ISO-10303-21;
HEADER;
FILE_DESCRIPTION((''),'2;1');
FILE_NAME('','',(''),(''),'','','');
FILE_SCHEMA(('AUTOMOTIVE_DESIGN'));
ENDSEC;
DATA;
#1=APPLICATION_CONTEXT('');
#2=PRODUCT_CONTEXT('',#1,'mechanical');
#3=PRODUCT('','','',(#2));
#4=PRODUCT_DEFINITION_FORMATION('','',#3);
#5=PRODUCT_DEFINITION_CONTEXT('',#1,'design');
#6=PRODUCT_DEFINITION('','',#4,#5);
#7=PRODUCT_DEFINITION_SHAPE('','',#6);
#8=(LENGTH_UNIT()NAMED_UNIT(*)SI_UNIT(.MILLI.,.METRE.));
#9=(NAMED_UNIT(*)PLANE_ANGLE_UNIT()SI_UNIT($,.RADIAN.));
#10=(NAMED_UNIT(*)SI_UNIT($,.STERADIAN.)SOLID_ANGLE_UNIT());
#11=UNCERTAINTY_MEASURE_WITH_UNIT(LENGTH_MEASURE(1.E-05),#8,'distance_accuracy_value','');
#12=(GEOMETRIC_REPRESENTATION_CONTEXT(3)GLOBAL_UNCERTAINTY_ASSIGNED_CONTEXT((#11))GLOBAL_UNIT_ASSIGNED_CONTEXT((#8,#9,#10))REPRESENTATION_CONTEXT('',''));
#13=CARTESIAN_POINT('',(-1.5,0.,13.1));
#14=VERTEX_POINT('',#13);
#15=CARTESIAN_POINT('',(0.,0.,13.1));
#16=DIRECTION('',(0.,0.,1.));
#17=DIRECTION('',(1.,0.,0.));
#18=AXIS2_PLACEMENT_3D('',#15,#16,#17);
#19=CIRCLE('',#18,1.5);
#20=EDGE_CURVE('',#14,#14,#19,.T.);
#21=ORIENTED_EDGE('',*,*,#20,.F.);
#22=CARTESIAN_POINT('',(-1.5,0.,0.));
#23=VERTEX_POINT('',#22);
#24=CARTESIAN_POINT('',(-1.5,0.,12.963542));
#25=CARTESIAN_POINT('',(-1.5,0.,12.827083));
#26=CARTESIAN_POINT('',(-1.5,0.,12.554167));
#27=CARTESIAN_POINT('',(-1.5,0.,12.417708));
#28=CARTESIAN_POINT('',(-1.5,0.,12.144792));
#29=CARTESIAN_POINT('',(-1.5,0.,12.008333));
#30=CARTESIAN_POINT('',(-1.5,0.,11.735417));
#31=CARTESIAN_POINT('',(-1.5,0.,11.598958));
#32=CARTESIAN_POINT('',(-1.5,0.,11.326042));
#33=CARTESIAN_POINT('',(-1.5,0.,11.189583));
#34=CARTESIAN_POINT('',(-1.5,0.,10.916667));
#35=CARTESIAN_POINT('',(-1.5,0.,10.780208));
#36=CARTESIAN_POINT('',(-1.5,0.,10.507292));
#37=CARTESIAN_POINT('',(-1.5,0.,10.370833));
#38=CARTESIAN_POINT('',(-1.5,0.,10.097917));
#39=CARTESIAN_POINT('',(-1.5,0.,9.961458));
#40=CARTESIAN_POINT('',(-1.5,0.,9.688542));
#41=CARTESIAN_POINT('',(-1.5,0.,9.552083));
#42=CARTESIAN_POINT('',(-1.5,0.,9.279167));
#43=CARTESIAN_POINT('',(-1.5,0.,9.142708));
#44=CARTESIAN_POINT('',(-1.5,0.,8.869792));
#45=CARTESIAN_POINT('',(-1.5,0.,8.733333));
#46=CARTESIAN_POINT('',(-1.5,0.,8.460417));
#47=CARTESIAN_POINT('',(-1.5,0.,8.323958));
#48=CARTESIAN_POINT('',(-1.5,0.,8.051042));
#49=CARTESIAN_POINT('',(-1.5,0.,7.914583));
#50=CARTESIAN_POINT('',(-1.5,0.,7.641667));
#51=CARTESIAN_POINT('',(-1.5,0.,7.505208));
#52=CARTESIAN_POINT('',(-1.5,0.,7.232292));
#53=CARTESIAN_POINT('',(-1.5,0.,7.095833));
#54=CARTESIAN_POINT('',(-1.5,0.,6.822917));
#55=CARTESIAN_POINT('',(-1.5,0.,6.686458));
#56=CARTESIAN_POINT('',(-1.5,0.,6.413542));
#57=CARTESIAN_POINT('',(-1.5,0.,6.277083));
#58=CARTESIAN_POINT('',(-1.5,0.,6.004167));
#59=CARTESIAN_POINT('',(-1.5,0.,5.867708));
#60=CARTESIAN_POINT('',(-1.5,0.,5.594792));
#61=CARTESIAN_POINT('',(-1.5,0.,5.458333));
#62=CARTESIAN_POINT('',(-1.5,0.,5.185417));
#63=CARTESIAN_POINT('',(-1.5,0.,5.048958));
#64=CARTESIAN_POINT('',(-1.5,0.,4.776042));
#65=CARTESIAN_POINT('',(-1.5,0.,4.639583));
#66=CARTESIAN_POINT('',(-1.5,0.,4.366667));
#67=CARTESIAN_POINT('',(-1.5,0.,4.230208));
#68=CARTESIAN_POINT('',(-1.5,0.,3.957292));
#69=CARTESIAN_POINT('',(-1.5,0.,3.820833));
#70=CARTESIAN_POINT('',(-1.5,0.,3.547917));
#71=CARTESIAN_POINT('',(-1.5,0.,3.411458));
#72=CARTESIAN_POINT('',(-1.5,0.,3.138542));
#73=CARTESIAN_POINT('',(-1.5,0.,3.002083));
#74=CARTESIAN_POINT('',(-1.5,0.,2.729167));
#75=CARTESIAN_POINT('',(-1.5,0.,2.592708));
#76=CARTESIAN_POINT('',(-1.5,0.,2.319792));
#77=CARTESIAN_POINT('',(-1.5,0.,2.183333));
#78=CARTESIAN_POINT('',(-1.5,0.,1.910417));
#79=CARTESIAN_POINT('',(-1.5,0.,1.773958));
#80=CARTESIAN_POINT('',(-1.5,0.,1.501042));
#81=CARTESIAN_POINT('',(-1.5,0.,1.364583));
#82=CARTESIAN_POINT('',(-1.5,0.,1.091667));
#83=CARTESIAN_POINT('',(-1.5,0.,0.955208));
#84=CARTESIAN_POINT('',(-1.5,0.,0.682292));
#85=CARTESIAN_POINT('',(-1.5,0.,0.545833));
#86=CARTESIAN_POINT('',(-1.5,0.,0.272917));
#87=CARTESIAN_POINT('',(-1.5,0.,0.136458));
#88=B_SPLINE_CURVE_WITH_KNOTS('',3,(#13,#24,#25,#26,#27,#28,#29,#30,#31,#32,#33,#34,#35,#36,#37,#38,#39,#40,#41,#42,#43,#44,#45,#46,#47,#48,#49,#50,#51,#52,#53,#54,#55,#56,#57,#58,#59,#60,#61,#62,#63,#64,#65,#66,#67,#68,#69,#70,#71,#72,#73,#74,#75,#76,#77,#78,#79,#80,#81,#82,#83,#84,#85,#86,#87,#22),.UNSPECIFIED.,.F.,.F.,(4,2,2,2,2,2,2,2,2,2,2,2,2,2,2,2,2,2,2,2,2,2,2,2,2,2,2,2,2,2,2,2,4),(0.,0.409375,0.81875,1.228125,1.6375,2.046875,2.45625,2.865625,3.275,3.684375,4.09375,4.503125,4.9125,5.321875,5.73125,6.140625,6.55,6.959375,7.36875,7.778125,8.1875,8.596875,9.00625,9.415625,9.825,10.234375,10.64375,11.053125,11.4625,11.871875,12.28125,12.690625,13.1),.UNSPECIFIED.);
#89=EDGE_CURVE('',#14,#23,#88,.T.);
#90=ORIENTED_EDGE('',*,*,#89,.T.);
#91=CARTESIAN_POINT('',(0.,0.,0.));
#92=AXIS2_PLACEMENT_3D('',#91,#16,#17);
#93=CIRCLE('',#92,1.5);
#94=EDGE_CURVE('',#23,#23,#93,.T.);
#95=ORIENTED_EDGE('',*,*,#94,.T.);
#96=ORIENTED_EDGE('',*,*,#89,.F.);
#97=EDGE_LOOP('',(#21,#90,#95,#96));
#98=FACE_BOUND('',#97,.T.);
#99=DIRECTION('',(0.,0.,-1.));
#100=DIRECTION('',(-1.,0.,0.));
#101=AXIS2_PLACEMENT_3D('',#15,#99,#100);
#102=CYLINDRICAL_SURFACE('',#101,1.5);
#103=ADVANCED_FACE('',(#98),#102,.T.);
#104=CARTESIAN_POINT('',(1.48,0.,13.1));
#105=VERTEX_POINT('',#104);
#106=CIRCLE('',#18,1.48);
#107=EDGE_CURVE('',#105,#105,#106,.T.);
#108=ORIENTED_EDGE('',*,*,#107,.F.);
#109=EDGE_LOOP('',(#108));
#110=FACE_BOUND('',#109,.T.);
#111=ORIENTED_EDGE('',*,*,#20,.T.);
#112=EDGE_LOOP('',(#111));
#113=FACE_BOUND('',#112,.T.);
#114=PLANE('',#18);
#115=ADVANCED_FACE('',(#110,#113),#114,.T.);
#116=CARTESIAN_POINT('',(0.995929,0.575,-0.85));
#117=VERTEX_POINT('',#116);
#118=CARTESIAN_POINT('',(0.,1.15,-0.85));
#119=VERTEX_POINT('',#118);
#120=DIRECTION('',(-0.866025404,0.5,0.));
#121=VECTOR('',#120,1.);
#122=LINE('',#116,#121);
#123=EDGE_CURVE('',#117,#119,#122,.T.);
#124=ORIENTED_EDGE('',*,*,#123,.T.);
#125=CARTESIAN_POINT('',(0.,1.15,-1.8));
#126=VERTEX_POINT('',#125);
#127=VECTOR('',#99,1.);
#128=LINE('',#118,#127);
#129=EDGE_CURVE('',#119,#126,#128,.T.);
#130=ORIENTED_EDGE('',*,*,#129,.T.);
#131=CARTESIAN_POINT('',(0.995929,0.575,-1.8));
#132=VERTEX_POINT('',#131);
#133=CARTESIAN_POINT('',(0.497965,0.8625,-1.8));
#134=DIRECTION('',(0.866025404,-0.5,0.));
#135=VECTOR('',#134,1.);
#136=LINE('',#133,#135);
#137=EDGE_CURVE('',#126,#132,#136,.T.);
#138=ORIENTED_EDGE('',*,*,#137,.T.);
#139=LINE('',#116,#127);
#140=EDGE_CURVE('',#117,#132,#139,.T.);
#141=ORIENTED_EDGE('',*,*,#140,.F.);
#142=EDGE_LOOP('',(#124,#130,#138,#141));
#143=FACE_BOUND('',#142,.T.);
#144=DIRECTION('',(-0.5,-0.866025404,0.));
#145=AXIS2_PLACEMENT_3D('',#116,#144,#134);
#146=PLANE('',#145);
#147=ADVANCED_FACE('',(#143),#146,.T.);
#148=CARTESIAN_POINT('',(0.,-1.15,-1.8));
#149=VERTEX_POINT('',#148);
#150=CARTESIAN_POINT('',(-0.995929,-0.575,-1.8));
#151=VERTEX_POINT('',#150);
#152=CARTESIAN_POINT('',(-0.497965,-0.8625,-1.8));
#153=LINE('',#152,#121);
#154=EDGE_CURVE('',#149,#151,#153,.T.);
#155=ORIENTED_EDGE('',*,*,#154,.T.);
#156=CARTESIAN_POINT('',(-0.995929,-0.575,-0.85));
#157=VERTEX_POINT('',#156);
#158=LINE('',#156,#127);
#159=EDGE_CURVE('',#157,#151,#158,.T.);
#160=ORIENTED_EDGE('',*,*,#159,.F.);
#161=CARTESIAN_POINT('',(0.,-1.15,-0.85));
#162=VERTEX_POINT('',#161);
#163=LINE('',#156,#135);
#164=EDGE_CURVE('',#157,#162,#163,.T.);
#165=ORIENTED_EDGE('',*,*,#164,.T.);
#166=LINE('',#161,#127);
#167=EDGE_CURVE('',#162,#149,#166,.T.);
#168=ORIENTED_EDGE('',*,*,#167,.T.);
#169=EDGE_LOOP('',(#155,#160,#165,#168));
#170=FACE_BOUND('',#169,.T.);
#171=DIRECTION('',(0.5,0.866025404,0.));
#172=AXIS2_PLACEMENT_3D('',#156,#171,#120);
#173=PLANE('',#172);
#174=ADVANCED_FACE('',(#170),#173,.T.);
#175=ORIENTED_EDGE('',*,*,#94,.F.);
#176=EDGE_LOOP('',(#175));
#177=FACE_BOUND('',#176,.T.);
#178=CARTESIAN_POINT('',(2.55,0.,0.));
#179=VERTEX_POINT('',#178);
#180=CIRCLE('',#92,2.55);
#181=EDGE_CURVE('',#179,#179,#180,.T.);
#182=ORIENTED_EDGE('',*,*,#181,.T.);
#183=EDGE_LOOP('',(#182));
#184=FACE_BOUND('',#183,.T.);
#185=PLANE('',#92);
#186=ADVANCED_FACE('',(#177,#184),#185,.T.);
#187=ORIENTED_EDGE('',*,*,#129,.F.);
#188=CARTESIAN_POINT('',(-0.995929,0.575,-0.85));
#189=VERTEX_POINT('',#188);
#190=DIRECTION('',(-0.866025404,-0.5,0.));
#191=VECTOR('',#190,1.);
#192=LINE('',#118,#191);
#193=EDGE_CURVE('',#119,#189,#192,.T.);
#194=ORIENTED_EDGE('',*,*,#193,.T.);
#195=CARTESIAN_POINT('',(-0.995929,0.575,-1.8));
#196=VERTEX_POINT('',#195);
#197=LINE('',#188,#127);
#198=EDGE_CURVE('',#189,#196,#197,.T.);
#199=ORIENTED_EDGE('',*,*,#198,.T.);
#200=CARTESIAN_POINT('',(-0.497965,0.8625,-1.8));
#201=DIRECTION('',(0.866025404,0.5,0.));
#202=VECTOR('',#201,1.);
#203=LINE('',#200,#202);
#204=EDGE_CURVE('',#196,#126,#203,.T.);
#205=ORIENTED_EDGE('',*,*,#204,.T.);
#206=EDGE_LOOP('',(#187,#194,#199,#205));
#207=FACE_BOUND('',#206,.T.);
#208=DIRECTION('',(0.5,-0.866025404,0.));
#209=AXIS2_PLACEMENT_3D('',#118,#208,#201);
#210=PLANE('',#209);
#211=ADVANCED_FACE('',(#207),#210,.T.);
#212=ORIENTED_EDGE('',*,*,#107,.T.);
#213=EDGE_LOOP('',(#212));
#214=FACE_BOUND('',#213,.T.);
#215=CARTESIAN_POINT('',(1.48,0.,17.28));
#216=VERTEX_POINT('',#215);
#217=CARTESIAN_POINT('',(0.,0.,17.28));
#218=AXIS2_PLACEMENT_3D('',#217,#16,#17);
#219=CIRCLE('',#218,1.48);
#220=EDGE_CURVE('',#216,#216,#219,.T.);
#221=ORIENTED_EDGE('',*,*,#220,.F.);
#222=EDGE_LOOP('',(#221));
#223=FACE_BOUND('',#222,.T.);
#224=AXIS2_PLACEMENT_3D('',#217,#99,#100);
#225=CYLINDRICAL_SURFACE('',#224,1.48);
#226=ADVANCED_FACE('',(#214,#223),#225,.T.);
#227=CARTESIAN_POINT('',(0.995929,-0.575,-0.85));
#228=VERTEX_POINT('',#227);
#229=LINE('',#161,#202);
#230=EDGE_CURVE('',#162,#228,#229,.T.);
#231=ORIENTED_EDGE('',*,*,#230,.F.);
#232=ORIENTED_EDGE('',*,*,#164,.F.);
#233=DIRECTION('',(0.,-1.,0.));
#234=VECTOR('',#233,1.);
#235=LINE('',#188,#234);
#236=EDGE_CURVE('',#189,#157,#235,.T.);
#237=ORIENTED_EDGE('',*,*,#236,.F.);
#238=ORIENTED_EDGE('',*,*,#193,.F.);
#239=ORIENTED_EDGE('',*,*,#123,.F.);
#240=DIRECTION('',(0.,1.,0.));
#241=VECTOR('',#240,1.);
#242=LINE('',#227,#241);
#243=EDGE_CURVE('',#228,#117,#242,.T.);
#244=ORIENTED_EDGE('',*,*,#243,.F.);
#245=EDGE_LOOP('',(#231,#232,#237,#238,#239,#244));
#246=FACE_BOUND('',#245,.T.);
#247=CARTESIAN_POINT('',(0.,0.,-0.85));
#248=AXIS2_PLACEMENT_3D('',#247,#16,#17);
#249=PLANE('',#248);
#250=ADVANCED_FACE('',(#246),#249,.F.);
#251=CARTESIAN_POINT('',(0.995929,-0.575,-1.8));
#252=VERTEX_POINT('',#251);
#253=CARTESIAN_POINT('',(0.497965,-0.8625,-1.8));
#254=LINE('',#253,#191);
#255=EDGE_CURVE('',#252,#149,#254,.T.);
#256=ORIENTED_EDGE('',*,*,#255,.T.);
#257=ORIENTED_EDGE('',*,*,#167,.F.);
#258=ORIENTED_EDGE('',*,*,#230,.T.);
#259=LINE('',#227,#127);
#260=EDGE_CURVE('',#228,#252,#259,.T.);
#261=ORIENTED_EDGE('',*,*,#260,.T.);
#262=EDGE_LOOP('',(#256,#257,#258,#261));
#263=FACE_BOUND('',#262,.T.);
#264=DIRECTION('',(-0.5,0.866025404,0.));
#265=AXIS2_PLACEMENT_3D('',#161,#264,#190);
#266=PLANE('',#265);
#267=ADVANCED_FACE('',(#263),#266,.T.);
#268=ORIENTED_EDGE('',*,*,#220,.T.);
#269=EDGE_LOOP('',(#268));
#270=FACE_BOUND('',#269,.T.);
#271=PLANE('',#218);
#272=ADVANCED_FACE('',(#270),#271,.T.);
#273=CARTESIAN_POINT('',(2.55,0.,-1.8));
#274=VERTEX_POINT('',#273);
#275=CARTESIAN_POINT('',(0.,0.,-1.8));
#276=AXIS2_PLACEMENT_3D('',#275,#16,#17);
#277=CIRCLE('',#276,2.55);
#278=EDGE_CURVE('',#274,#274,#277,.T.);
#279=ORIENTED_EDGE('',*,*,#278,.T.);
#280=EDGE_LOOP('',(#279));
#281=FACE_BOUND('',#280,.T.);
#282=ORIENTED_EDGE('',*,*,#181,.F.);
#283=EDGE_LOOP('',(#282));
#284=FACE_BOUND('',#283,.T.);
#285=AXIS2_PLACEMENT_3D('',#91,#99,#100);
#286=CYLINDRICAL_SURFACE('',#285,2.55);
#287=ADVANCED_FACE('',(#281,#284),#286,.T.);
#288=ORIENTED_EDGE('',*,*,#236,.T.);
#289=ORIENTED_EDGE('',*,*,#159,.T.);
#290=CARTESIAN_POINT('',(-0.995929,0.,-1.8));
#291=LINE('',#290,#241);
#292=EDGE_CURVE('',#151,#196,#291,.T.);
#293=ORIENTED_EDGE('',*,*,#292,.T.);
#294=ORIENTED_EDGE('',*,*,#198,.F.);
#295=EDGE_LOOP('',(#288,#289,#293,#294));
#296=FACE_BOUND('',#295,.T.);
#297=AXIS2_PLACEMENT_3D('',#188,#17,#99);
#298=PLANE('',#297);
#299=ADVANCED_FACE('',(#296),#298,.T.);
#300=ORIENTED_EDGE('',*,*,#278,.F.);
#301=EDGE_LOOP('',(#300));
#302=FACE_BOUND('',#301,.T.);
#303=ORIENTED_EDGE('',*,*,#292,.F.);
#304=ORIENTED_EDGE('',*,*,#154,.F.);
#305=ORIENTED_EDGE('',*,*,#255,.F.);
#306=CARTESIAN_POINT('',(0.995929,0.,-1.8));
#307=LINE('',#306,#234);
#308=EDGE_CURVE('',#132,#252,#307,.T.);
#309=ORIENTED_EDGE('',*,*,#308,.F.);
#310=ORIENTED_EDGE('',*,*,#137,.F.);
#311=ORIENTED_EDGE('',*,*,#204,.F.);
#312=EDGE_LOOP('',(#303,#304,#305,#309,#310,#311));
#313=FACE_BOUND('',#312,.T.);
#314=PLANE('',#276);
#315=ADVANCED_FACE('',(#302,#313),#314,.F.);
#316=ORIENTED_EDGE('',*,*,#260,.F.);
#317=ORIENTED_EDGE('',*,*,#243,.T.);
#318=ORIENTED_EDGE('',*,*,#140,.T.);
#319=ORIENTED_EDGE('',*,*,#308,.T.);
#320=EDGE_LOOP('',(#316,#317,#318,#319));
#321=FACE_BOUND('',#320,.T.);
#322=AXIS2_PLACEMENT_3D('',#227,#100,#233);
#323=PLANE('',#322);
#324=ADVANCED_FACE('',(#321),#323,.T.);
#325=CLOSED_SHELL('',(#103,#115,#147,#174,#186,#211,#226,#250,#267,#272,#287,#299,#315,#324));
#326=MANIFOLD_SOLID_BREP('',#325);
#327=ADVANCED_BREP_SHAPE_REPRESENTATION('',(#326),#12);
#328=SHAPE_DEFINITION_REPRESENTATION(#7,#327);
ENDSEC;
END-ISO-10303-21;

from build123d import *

# Parameters (mm, degrees)
F_01_START                  = -1.8
S01_LOW_PROFILE_HEAD_R      = 2.55
F_01_LOW_PROFILE_HEAD_DEPTH = 1.8
S02_SMOOTH_JOURNAL_R        = 1.5
F_02_SMOOTH_JOURNAL_DEPTH   = 13.1
F_03_START                  = 13.1
S03_M3_THREADED_TIP_R       = 1.48
F_03_M3_THREADED_TIP_DEPTH  = 4.18
F_04_START                  = -1.9
F_04_HEX_SOCKET_DEPTH       = 1.05


with BuildPart() as part:
    # S01 - Low profile head → 01 - Low profile head (new body)
    with BuildSketch(Plane.XY.offset(F_01_START)):
        Circle(S01_LOW_PROFILE_HEAD_R)
    extrude(amount=F_01_LOW_PROFILE_HEAD_DEPTH)

    # S02 - Smooth journal → 02 - Smooth journal (add)
    with BuildSketch(Plane.XY):
        with Locations(Location((0, 0, 0), (0, 0, 180))):
            Circle(S02_SMOOTH_JOURNAL_R)
    extrude(amount=F_02_SMOOTH_JOURNAL_DEPTH)

    # S03 - M3 threaded tip → 03 - M3 threaded tip (add)
    with BuildSketch(Plane.XY.offset(F_03_START)):
        Circle(S03_M3_THREADED_TIP_R)
    extrude(amount=F_03_M3_THREADED_TIP_DEPTH)

    # S04 - Hex socket → 04 - Hex socket (cut)
    with BuildSketch(Plane.XY.offset(F_04_START)):
        Polygon((0.995929214, 0.575), (0, 1.15), (-0.995929214, 0.575), (-0.995929214, -0.575), (0, -1.15), (0.995929214, -0.575), align=None)
    extrude(amount=F_04_HEX_SOCKET_DEPTH, mode=Mode.SUBTRACT)


solid = part.part
